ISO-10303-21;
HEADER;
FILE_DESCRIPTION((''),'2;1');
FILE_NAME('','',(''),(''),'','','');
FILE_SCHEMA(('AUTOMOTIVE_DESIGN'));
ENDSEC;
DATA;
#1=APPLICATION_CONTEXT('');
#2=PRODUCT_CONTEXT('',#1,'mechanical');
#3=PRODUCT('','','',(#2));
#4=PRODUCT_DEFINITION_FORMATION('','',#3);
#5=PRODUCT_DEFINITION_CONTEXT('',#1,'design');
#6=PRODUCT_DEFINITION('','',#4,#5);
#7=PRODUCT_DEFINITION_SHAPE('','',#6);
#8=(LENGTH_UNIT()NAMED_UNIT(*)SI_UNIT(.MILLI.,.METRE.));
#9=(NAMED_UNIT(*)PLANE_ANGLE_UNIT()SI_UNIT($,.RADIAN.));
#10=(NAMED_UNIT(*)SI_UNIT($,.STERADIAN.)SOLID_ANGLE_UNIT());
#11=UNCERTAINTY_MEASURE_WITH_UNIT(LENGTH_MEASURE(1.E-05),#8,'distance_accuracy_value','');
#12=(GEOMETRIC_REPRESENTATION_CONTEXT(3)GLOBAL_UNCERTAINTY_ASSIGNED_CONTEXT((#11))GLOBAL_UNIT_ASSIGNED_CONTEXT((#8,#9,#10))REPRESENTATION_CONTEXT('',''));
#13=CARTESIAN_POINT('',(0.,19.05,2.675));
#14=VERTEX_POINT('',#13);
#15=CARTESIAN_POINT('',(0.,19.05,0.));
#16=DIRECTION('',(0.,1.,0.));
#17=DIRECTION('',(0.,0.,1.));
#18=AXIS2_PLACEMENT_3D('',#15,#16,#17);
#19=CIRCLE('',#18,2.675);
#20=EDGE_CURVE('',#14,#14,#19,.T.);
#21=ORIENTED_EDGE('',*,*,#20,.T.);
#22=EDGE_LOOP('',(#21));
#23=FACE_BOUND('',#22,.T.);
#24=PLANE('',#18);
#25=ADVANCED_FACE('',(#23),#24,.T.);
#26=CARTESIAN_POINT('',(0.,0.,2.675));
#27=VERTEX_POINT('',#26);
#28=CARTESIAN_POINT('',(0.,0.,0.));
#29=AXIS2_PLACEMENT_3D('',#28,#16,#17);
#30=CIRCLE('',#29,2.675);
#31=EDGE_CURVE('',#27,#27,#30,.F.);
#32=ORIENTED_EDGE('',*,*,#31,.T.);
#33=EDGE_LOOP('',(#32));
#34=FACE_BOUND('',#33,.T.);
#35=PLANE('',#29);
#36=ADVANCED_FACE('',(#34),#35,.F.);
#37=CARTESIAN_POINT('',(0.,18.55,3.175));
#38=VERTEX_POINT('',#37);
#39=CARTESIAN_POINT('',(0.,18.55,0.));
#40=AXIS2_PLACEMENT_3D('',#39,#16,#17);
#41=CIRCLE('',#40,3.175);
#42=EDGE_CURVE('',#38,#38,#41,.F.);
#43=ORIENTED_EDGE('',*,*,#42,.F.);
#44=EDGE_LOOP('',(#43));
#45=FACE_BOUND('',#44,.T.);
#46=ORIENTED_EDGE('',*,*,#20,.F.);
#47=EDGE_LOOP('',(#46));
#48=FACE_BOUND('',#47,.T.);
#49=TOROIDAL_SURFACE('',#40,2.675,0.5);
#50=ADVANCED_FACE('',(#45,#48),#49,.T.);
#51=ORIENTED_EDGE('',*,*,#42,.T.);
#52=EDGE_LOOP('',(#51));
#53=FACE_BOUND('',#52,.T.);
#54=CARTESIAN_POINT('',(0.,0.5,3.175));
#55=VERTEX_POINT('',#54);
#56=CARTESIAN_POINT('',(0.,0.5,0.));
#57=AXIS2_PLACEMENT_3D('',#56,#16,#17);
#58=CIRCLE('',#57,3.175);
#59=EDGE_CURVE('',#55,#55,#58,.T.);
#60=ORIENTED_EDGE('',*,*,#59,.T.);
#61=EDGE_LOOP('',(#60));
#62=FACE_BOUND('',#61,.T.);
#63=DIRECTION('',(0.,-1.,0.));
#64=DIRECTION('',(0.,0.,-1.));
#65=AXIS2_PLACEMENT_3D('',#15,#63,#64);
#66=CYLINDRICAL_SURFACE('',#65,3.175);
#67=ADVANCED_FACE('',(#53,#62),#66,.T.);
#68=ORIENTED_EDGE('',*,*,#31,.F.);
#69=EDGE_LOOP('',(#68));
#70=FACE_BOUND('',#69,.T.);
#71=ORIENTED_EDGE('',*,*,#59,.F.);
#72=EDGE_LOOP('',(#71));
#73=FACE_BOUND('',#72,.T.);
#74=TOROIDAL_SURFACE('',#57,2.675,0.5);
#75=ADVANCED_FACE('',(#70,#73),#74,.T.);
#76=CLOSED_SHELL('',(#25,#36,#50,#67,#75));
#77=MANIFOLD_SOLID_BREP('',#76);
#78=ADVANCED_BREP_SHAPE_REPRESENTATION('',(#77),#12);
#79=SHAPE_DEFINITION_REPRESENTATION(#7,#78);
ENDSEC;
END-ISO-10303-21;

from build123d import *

# Parameters (mm, degrees)
SKETCH1_R           = 3.175
BOSS_EXTRUDE1_DEPTH = 19.05
FILLET1_R           = 0.5


with BuildPart() as part:
    # Sketch1 → Boss-Extrude1 (new body)
    with BuildSketch(Plane(origin=(0, 0, 0), x_dir=(1, 0, 0), z_dir=(0, 1, 0))):
        with Locations(Location((0, 0, 0), (0, 0, 270))):  # turned: the seam where the file's is
            Circle(SKETCH1_R)
    extrude(amount=BOSS_EXTRUDE1_DEPTH)

    # Fillet1
    fillet1_edges = [part.edges().sort_by_distance(p)[0] for p in [
        (0, 0, -3.175),
        (0, 19.05, -3.175),
    ]]
    fillet(fillet1_edges, radius=FILLET1_R)


solid = part.part
